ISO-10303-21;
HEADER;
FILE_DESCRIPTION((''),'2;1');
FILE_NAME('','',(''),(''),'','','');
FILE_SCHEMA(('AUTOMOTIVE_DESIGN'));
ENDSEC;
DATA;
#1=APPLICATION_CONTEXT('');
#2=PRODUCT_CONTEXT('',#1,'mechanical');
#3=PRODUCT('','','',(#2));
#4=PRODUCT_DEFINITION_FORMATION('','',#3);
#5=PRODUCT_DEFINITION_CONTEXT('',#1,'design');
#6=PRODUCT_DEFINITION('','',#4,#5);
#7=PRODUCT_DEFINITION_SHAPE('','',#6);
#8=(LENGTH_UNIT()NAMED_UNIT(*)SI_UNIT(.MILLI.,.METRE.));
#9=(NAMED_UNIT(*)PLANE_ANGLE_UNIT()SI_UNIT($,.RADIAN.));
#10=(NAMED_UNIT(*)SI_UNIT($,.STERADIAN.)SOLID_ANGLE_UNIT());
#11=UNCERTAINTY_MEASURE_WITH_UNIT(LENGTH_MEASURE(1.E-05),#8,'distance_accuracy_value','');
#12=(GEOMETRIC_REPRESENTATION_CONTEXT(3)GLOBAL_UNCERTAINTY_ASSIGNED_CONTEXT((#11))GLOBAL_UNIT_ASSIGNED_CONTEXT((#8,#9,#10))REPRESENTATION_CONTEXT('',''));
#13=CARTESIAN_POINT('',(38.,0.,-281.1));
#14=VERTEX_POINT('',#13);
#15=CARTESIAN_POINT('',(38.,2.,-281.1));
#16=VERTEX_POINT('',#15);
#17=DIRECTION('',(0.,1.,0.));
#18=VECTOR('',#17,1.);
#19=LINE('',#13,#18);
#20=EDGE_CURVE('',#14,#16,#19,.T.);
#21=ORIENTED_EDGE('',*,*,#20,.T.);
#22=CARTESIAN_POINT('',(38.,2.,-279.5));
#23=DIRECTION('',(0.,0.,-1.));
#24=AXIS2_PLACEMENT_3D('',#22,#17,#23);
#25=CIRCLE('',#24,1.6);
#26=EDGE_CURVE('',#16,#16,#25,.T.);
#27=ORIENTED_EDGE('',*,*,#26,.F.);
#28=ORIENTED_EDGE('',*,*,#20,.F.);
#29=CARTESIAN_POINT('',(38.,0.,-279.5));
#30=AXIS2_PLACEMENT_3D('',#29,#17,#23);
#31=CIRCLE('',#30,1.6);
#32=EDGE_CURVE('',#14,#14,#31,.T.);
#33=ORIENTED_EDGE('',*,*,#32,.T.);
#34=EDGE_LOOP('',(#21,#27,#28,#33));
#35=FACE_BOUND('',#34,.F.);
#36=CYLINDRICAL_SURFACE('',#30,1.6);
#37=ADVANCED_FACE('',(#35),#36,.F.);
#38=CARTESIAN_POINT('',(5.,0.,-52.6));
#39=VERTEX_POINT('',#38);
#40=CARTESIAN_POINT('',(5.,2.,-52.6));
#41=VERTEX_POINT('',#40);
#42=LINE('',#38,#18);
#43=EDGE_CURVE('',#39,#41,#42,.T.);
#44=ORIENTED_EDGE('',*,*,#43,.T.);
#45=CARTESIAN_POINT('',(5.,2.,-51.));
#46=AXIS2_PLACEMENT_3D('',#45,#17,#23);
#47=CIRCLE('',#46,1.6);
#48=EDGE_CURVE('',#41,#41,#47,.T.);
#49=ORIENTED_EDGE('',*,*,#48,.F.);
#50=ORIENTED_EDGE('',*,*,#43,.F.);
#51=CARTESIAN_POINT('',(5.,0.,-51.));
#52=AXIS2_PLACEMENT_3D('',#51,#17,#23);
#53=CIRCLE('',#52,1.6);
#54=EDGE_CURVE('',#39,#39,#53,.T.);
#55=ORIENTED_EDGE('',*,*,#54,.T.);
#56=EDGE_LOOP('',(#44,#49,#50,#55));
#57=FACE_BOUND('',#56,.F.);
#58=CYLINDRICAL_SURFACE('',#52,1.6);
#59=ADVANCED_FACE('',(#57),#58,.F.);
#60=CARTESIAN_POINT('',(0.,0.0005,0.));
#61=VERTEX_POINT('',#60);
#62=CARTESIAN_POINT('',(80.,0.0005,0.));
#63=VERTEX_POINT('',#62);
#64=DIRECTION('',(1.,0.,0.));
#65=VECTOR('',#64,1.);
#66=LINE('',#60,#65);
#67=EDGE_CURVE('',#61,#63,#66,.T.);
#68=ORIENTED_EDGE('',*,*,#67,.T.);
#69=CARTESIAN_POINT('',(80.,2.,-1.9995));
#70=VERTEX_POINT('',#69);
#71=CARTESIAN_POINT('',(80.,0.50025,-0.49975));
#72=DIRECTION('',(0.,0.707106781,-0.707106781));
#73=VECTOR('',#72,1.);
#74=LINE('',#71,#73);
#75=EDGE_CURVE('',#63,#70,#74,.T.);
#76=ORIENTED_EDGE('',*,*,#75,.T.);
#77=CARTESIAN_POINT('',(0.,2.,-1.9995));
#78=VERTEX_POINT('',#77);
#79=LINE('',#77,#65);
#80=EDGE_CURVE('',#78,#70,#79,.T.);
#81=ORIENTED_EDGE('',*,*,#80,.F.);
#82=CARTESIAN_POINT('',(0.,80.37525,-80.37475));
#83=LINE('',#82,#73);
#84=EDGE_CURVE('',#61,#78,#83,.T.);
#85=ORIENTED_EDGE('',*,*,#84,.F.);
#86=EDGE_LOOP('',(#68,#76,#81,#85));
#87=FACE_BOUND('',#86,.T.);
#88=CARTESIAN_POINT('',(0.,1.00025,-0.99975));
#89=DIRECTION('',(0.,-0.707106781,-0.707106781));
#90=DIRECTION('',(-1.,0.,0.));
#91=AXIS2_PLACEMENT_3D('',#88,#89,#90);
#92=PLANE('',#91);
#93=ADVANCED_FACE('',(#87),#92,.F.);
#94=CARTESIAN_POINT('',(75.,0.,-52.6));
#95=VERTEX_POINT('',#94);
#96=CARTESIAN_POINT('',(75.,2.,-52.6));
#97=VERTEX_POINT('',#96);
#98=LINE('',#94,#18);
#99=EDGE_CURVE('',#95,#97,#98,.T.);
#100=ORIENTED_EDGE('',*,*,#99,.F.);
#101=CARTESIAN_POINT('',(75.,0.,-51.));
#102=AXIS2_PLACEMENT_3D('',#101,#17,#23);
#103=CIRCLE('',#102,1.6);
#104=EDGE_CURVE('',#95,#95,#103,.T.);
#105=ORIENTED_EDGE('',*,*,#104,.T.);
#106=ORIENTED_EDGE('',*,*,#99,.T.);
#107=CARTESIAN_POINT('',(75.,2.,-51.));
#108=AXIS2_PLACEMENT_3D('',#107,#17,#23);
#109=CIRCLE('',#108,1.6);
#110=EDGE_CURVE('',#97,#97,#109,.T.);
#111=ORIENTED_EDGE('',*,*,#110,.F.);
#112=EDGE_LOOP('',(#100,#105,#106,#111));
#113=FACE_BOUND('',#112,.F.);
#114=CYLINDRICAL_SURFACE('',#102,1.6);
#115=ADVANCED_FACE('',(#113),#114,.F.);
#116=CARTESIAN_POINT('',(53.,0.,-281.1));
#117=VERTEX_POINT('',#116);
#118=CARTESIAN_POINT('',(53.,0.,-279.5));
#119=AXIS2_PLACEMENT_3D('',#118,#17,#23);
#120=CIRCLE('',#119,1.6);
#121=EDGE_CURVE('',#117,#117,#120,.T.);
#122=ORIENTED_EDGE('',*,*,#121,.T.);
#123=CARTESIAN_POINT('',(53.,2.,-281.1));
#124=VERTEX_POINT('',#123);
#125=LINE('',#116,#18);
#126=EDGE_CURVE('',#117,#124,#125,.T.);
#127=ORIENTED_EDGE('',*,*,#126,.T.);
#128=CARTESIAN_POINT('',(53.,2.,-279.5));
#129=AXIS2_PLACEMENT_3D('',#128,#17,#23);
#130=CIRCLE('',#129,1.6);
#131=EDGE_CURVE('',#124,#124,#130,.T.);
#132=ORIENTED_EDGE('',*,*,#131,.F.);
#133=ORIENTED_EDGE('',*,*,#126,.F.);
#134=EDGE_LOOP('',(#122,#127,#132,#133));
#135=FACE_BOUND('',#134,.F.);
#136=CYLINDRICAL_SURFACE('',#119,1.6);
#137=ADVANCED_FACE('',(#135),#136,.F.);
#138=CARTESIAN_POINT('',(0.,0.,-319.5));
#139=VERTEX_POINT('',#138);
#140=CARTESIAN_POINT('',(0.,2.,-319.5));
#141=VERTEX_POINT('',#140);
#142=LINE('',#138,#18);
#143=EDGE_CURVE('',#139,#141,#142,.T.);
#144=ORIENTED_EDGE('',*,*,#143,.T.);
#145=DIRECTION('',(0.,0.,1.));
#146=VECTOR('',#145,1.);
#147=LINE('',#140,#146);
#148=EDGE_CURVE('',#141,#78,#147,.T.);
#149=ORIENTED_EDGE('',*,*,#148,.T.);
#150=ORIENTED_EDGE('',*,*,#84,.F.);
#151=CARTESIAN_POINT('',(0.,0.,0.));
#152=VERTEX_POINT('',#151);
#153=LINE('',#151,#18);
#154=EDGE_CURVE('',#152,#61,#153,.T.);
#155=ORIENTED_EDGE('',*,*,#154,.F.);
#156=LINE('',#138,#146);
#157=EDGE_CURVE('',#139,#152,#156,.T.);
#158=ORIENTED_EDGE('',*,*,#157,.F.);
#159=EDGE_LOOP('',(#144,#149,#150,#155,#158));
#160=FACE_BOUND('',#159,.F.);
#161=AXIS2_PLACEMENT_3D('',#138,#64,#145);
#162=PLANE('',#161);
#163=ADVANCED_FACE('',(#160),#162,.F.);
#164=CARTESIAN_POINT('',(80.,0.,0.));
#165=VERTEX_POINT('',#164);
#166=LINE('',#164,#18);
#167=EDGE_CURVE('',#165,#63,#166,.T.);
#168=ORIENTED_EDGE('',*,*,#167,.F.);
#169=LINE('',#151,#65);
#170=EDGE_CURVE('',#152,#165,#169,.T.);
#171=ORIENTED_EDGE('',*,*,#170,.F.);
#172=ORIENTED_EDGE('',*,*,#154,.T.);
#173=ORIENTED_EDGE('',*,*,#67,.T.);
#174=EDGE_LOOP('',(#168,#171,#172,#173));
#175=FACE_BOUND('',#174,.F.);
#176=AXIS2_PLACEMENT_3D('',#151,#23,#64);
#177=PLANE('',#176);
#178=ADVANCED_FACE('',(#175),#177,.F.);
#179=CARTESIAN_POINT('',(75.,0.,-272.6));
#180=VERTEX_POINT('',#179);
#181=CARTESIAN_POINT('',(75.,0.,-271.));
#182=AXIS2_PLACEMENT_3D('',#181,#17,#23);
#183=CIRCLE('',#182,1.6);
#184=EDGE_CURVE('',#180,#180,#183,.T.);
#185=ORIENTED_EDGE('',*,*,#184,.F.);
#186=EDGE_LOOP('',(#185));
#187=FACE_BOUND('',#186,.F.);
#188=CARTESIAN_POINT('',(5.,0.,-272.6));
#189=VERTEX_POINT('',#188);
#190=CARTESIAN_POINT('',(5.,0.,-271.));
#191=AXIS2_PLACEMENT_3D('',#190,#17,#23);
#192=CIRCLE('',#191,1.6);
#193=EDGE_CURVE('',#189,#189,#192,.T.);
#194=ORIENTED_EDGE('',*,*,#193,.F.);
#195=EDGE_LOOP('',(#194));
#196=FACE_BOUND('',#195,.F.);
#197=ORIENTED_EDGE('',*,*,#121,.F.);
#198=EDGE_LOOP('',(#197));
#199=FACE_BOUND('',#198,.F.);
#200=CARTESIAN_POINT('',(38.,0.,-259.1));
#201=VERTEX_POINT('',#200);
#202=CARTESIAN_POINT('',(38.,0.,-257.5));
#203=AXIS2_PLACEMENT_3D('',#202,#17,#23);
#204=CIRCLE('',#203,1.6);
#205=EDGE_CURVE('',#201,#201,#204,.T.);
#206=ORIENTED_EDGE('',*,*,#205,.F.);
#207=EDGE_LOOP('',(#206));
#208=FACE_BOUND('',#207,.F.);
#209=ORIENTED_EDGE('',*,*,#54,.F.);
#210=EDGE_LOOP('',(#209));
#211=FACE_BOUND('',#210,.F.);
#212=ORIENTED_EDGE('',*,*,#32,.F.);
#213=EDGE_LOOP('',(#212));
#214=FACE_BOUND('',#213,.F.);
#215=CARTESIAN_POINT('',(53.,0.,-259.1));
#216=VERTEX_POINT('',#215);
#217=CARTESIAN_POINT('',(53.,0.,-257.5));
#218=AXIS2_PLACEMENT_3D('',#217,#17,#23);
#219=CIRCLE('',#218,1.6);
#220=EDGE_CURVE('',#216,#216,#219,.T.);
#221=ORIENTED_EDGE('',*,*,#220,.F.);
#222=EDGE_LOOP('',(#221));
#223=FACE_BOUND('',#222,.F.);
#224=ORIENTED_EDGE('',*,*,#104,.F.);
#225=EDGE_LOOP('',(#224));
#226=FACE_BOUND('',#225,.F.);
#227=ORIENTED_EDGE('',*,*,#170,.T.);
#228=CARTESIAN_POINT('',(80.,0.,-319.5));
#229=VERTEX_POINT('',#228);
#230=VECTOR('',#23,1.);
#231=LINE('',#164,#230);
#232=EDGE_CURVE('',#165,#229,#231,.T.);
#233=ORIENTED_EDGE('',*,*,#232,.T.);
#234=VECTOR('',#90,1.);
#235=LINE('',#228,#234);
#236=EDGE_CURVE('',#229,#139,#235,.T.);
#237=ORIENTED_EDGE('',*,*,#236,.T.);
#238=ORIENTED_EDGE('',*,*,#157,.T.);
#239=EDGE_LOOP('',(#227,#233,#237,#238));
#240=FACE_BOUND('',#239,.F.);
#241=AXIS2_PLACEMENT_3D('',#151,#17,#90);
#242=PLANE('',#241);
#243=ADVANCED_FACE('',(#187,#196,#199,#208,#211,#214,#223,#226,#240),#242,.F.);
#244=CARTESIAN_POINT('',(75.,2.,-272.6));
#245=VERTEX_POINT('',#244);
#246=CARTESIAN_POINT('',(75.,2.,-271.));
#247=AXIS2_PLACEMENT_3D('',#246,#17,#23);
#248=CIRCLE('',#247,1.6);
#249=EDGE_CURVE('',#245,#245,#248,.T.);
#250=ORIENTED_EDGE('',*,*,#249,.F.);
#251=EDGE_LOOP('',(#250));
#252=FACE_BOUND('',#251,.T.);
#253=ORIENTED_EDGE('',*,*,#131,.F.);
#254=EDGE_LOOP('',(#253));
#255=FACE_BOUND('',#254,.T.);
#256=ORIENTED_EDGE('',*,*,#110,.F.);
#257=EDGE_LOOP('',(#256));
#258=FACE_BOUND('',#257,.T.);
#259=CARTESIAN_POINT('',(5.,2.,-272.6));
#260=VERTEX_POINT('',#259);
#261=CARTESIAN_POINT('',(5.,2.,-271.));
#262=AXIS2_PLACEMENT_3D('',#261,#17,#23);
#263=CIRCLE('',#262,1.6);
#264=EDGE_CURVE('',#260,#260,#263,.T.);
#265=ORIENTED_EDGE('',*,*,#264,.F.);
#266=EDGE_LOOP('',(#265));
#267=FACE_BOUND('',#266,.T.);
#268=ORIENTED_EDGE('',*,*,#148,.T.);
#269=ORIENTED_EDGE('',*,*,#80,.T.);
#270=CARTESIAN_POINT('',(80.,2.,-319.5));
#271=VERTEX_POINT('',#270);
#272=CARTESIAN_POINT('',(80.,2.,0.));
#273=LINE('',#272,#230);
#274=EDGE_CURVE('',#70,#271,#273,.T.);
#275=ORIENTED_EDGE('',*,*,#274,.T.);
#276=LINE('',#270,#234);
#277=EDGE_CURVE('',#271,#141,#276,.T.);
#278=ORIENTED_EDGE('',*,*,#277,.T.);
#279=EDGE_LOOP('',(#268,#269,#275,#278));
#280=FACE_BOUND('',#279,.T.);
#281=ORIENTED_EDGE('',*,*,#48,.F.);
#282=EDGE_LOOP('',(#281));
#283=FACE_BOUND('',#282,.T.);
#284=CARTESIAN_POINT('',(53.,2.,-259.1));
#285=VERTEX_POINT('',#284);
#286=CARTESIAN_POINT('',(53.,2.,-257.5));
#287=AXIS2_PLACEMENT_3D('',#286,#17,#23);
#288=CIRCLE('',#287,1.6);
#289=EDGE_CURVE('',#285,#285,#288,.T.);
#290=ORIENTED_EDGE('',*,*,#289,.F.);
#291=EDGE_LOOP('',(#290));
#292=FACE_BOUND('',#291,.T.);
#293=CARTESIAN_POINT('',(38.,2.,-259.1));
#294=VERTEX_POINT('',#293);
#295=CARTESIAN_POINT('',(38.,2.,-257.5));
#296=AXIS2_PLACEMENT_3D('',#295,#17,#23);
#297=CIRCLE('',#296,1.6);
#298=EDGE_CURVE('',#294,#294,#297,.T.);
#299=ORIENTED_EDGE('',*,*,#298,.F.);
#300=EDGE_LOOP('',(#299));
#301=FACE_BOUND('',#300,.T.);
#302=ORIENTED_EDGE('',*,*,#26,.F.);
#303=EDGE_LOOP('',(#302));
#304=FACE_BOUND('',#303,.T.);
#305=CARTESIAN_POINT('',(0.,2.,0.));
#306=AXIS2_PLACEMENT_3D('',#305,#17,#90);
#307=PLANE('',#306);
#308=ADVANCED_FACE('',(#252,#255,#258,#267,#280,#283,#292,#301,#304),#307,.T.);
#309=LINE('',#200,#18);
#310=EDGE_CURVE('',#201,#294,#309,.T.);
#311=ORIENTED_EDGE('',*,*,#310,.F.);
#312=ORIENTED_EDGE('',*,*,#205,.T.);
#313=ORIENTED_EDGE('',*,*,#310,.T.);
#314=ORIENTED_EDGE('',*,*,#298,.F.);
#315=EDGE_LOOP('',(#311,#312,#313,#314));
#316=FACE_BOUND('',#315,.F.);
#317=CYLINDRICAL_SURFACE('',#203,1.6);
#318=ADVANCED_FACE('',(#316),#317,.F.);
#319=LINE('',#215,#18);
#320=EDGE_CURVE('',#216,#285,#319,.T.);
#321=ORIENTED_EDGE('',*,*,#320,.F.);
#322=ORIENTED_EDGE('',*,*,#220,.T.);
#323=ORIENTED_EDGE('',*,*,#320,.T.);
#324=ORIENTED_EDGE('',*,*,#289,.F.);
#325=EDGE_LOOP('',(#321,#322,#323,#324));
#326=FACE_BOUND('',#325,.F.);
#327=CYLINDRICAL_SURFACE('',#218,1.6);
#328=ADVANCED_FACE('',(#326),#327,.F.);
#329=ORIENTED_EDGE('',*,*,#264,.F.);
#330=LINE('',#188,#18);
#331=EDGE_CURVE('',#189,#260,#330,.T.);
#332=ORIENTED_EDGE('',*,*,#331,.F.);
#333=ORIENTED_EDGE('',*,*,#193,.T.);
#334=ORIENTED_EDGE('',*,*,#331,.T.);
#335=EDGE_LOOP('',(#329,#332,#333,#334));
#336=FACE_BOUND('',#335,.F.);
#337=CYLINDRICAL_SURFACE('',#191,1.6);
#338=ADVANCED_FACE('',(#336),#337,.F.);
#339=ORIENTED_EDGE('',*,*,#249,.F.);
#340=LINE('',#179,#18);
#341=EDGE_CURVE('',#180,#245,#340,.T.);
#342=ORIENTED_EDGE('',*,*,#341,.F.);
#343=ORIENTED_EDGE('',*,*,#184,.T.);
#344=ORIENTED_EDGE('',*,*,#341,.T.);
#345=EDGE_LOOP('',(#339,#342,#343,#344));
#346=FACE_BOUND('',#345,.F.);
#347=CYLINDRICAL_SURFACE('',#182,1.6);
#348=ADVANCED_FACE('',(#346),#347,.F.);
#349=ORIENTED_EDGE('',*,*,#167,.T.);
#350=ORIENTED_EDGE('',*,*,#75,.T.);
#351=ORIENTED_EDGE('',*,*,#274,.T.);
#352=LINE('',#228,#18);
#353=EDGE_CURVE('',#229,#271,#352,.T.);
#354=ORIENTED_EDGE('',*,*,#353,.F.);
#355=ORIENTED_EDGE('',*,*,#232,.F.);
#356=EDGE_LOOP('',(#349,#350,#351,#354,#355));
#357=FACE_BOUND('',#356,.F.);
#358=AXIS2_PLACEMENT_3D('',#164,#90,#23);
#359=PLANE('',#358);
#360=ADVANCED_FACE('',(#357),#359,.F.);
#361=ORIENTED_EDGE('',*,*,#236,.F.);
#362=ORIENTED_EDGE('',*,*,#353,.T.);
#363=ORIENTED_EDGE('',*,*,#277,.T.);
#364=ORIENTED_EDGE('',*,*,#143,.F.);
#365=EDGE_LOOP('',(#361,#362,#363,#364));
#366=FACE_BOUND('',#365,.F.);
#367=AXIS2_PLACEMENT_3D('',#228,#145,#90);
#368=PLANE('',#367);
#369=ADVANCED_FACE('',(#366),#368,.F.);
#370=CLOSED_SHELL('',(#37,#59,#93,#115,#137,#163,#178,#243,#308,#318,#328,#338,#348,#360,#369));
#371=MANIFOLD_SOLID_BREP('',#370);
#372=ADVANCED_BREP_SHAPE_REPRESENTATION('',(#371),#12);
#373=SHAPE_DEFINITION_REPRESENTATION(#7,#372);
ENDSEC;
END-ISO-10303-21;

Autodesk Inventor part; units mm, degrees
ref_plane "YZ Plane" through (0, 0, 0) normal (1, 0, 0) x (0, 1, 0)
ref_plane "XZ Plane" through (0, 0, 0) normal (0, 1, 0) x (-1, 0, 0)
ref_plane "XY Plane" through (0, 0, 0) normal (0, 0, 1) x (1, 0, 0)
sketch "スケッチ1" plane through (0, 0, 0) normal (0, 1, 0) x (-1, 0, 0)
  line L0 (0, 0) -> (-80, 0)
  line L1 (-80, 0) -> (-80, -319.5)
  line L2 (-80, -319.5) -> (0, -319.5)
  line L3 (0, -319.5) -> (0, 0)
  dimension "d0" = 319.5
  dimension "d1" = 80
extrude "押し出し1" add sketch "スケッチ1" along normal blind 2
sketch "スケッチ3" plane through (0, 0, 0) normal (0, -1, 0) x (1, 0, 0)
  line L0 (80, -319.5) -> (0, -319.5) projected
  line L1 (80, 0) -> (80, -319.5) projected
  point P0 (0, 0)
  point P1 (53, -279.5)
  point P2 (38, -279.5)
  point P3 (53, -257.5)
  point P4 (38, -257.5)
  dimension "d20" = 40
  dimension "d21" = 27
  dimension "d24" = 15
  dimension "d27" = 22
hole "穴1" at (53, 0, -279.5) at (38, 0, -279.5) at (53, 0, -257.5) at (38, 0, -257.5) direction (0, 1, 0) diameter 3.2 end through all
chamfer "面取り2" distance 2 angle 45 1 edges at (40, 2, 0)
sketch "スケッチ5" plane through (0, 0, 0) normal (0, -1, 0) x (1, 0, 0)
  line L0 (80, 0) -> (80, -319.5) projected
  line L1 (0, 0) -> (80, 0) projected
  line L2 (0, -319.5) -> (0, 0) projected
  point P0 (75, -51)
  point P1 (75, -271)
  point P2 (5, -51)
  point P3 (5, -271)
  dimension "d43" = 5
  dimension "d44" = 51
  dimension "d45" = 220
  dimension "d53" = 5
  dimension "d54" = 51
  dimension "d55" = 220
  dimension "d56" = 5
hole "穴2" at (75, 0, -51) at (75, 0, -271) at (5, 0, -51) at (5, 0, -271) direction (0, 1, 0) diameter 3.2 end through all
properties part number "前カバー中盤" material "ABS プラスチック"
